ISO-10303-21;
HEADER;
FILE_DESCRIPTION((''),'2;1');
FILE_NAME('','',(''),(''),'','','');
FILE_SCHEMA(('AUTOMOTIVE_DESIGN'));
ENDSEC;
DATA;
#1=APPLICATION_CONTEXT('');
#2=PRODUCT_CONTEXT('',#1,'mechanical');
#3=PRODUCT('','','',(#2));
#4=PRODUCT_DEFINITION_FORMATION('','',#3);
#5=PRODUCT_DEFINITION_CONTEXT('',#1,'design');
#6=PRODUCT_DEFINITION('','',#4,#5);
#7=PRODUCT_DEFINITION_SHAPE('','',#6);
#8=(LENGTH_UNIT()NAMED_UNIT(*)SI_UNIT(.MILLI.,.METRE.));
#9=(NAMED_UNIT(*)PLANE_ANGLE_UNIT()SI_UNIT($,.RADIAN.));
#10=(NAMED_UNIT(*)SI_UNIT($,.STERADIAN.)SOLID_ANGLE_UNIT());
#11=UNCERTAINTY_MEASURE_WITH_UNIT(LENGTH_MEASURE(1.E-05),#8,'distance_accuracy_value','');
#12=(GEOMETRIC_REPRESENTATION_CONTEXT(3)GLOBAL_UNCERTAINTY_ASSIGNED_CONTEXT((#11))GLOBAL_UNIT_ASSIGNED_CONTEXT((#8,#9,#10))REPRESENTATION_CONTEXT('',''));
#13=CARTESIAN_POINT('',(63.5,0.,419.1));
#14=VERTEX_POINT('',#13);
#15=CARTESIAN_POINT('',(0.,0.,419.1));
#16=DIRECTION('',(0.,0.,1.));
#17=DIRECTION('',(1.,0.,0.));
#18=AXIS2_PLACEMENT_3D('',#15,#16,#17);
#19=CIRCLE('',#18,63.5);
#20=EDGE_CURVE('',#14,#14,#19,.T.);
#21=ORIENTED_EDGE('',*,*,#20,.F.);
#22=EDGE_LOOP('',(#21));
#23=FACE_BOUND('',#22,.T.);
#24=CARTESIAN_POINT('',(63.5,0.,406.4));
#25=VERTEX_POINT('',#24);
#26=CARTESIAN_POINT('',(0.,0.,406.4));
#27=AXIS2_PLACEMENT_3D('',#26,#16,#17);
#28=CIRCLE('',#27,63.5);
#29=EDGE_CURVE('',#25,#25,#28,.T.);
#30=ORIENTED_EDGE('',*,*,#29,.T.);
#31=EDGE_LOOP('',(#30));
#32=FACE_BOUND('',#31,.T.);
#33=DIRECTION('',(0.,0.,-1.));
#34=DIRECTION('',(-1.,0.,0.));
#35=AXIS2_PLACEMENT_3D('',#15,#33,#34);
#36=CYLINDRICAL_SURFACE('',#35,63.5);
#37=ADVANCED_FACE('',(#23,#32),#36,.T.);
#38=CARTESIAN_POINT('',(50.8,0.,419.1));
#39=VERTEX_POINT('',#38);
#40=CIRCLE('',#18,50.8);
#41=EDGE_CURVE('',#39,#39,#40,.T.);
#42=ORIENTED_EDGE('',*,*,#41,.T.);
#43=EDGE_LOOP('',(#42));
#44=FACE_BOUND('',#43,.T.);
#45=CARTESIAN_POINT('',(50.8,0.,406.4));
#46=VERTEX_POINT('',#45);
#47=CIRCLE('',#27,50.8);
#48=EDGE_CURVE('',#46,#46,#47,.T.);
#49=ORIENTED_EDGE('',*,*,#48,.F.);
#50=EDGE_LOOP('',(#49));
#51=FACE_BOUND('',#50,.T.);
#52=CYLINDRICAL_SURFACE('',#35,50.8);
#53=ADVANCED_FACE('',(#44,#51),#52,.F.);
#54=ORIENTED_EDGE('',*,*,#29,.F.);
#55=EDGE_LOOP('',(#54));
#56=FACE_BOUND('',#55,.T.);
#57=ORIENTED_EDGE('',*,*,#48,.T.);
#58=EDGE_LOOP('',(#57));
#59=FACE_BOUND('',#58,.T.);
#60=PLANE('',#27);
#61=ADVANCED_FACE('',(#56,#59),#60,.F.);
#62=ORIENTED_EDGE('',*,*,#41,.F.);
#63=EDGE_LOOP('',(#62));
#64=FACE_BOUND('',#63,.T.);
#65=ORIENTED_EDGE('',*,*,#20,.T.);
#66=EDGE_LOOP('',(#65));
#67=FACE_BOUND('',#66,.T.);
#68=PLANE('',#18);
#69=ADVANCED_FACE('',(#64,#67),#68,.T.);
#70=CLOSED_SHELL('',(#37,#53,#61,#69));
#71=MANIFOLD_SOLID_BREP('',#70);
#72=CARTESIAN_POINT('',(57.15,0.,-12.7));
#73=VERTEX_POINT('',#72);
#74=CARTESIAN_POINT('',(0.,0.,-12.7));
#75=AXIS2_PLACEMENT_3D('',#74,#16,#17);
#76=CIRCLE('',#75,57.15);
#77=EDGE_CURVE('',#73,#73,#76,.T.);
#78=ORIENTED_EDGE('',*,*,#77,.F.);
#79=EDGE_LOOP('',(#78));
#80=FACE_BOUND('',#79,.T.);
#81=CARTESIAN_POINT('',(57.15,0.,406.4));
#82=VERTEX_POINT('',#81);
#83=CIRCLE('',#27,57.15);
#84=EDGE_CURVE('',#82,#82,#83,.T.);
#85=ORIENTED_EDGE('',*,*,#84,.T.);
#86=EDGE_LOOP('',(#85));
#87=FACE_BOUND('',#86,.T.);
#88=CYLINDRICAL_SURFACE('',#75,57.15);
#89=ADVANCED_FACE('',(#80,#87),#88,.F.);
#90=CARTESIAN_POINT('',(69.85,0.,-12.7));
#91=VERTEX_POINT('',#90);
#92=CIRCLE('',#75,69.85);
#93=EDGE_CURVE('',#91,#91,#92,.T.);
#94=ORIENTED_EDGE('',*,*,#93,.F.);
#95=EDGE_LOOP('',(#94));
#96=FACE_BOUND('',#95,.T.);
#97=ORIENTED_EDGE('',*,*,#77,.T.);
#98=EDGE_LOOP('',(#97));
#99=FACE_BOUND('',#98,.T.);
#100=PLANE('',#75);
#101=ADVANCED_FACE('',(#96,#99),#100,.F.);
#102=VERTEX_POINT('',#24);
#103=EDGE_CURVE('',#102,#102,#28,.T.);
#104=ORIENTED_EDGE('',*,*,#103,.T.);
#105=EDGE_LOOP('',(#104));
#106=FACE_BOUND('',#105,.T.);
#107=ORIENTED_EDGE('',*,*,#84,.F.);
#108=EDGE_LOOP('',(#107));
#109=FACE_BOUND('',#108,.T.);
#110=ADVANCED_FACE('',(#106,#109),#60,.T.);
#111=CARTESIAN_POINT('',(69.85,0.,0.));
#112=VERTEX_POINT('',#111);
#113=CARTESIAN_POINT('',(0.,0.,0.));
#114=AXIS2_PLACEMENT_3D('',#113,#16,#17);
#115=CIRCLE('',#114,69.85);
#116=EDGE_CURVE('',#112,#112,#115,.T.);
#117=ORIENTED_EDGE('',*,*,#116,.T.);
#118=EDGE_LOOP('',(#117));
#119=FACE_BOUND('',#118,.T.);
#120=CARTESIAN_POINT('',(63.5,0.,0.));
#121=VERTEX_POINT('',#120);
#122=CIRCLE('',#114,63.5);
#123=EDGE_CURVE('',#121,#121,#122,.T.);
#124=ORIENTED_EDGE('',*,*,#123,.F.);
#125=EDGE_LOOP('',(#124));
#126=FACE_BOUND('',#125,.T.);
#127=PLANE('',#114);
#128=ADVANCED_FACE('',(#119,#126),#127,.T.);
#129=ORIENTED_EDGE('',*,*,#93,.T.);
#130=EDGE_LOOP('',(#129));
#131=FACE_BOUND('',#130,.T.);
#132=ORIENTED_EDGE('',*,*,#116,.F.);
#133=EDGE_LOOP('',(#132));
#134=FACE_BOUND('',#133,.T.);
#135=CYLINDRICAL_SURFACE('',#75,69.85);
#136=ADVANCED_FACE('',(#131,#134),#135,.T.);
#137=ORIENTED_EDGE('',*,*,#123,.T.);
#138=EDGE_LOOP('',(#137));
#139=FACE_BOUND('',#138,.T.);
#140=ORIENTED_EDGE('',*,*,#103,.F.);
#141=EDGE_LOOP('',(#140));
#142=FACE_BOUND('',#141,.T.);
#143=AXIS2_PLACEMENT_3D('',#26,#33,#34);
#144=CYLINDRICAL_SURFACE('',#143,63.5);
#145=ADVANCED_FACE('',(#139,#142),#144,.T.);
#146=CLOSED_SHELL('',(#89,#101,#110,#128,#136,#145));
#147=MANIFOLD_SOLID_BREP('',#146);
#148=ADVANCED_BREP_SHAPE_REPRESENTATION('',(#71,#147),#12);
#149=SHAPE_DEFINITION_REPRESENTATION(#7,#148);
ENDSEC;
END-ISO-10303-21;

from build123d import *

# Parameters (mm, degrees)
SKETCH1_R           = 69.85
SKETCH1_R_2         = 57.15
BOSS_EXTRUDE1_DEPTH = 12.7
BOSS_EXTRUDE2_START = 406.4
SKETCH1_3_R         = 63.5
SKETCH1_3_R_2       = 57.15
BOSS_EXTRUDE2_DEPTH = 406.4
SKETCH2_R           = 63.5
SKETCH2_R_2         = 50.8
BOSS_EXTRUDE3_DEPTH = 12.7


with BuildPart() as part:
    # Sketch1 → Boss-Extrude1 (new body)
    with BuildSketch(Plane.XY):
        Circle(SKETCH1_R)
        Circle(SKETCH1_R_2, mode=Mode.SUBTRACT)
    extrude(amount=-BOSS_EXTRUDE1_DEPTH)

    # Sketch1<3> → Boss-Extrude2 (add)
    with BuildSketch(Plane.XY.offset(BOSS_EXTRUDE2_START)):
        Circle(SKETCH1_3_R)
        Circle(SKETCH1_3_R_2, mode=Mode.SUBTRACT)
    extrude(amount=-BOSS_EXTRUDE2_DEPTH)


with BuildPart() as body_2:
    # Sketch2 → Boss-Extrude3 (new body)
    with BuildSketch(Plane.XY.offset(406.4)):
        Circle(SKETCH2_R)
        Circle(SKETCH2_R_2, mode=Mode.SUBTRACT)
    extrude(amount=BOSS_EXTRUDE3_DEPTH)


solid = Compound([part.part, body_2.part])
